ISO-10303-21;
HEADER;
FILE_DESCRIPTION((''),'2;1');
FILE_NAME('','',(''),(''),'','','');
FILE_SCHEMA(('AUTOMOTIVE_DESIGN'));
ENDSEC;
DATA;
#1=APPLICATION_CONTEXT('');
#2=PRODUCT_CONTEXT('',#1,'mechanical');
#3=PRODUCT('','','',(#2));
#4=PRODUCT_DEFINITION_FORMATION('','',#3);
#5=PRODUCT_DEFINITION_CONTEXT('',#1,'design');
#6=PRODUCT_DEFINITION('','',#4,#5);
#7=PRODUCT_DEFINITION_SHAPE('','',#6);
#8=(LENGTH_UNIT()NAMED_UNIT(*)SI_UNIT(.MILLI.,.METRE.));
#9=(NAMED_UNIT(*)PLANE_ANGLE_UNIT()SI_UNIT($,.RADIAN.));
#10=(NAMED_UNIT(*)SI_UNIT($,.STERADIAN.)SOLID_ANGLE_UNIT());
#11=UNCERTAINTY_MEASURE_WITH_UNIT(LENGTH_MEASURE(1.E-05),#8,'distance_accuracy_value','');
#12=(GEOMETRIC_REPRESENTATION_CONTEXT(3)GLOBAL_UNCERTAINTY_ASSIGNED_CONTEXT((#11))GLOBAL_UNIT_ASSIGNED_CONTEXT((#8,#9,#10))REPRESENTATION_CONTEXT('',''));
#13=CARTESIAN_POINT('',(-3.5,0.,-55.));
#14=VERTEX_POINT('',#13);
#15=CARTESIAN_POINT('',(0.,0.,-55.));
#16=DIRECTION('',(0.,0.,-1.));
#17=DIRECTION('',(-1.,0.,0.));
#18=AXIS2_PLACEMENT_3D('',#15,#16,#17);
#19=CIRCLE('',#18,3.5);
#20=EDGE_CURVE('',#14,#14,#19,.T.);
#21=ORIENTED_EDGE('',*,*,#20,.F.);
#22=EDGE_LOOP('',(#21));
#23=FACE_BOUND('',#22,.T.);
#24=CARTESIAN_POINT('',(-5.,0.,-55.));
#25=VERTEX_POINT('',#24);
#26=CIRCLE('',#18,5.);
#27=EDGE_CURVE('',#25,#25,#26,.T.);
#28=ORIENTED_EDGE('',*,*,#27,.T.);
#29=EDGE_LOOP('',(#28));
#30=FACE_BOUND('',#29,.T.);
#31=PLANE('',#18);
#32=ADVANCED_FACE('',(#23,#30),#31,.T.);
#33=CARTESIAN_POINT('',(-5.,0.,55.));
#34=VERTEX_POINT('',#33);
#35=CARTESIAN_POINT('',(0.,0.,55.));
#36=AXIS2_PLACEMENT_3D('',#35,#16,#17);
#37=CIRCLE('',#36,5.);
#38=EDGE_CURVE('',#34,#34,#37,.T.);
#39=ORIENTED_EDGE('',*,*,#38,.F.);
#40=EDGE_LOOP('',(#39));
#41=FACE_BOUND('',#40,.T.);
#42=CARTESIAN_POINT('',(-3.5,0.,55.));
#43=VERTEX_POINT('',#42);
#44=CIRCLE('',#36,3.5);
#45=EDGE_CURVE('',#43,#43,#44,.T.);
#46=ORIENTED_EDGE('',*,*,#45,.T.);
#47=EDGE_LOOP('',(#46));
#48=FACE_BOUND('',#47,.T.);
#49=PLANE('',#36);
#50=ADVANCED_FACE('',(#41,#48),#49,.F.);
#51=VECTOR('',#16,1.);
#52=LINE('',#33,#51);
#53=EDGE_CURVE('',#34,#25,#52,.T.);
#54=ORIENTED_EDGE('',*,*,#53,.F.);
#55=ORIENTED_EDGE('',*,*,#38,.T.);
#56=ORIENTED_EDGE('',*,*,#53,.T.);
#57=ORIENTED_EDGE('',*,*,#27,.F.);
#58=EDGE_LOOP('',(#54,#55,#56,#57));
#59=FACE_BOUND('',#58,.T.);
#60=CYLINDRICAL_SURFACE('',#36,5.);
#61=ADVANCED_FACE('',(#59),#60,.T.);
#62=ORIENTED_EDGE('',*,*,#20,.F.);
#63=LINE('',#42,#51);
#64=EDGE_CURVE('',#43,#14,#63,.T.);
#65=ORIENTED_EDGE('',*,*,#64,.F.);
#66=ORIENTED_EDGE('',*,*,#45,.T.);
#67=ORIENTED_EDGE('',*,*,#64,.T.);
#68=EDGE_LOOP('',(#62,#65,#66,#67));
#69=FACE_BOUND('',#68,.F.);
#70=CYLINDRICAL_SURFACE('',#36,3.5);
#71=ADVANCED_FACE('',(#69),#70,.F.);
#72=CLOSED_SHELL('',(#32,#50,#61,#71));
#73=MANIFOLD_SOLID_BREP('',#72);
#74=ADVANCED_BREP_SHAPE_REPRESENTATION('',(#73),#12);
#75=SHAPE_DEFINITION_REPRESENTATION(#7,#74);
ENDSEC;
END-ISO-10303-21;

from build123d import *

# Parameters (mm, degrees)
F2_T = -1.5


with BuildPart() as f1:
    # F0 (on Front) → F1 (revolve)
    with BuildSketch(Plane.XZ):
        Polygon((-5, 55), (-5, 0), (-5, -55), (0, -55), (0, 55), align=None)
    revolve(axis=Axis((0, 0, 0), (0, 0, -1)))

    # F2
    f2_openings = [f1.faces().sort_by_distance(p)[0] for p in [
        (0, 0, 55),
        (0, 0, -55),
    ]]
    offset(amount=F2_T, openings=f2_openings)


solid = f1.part
